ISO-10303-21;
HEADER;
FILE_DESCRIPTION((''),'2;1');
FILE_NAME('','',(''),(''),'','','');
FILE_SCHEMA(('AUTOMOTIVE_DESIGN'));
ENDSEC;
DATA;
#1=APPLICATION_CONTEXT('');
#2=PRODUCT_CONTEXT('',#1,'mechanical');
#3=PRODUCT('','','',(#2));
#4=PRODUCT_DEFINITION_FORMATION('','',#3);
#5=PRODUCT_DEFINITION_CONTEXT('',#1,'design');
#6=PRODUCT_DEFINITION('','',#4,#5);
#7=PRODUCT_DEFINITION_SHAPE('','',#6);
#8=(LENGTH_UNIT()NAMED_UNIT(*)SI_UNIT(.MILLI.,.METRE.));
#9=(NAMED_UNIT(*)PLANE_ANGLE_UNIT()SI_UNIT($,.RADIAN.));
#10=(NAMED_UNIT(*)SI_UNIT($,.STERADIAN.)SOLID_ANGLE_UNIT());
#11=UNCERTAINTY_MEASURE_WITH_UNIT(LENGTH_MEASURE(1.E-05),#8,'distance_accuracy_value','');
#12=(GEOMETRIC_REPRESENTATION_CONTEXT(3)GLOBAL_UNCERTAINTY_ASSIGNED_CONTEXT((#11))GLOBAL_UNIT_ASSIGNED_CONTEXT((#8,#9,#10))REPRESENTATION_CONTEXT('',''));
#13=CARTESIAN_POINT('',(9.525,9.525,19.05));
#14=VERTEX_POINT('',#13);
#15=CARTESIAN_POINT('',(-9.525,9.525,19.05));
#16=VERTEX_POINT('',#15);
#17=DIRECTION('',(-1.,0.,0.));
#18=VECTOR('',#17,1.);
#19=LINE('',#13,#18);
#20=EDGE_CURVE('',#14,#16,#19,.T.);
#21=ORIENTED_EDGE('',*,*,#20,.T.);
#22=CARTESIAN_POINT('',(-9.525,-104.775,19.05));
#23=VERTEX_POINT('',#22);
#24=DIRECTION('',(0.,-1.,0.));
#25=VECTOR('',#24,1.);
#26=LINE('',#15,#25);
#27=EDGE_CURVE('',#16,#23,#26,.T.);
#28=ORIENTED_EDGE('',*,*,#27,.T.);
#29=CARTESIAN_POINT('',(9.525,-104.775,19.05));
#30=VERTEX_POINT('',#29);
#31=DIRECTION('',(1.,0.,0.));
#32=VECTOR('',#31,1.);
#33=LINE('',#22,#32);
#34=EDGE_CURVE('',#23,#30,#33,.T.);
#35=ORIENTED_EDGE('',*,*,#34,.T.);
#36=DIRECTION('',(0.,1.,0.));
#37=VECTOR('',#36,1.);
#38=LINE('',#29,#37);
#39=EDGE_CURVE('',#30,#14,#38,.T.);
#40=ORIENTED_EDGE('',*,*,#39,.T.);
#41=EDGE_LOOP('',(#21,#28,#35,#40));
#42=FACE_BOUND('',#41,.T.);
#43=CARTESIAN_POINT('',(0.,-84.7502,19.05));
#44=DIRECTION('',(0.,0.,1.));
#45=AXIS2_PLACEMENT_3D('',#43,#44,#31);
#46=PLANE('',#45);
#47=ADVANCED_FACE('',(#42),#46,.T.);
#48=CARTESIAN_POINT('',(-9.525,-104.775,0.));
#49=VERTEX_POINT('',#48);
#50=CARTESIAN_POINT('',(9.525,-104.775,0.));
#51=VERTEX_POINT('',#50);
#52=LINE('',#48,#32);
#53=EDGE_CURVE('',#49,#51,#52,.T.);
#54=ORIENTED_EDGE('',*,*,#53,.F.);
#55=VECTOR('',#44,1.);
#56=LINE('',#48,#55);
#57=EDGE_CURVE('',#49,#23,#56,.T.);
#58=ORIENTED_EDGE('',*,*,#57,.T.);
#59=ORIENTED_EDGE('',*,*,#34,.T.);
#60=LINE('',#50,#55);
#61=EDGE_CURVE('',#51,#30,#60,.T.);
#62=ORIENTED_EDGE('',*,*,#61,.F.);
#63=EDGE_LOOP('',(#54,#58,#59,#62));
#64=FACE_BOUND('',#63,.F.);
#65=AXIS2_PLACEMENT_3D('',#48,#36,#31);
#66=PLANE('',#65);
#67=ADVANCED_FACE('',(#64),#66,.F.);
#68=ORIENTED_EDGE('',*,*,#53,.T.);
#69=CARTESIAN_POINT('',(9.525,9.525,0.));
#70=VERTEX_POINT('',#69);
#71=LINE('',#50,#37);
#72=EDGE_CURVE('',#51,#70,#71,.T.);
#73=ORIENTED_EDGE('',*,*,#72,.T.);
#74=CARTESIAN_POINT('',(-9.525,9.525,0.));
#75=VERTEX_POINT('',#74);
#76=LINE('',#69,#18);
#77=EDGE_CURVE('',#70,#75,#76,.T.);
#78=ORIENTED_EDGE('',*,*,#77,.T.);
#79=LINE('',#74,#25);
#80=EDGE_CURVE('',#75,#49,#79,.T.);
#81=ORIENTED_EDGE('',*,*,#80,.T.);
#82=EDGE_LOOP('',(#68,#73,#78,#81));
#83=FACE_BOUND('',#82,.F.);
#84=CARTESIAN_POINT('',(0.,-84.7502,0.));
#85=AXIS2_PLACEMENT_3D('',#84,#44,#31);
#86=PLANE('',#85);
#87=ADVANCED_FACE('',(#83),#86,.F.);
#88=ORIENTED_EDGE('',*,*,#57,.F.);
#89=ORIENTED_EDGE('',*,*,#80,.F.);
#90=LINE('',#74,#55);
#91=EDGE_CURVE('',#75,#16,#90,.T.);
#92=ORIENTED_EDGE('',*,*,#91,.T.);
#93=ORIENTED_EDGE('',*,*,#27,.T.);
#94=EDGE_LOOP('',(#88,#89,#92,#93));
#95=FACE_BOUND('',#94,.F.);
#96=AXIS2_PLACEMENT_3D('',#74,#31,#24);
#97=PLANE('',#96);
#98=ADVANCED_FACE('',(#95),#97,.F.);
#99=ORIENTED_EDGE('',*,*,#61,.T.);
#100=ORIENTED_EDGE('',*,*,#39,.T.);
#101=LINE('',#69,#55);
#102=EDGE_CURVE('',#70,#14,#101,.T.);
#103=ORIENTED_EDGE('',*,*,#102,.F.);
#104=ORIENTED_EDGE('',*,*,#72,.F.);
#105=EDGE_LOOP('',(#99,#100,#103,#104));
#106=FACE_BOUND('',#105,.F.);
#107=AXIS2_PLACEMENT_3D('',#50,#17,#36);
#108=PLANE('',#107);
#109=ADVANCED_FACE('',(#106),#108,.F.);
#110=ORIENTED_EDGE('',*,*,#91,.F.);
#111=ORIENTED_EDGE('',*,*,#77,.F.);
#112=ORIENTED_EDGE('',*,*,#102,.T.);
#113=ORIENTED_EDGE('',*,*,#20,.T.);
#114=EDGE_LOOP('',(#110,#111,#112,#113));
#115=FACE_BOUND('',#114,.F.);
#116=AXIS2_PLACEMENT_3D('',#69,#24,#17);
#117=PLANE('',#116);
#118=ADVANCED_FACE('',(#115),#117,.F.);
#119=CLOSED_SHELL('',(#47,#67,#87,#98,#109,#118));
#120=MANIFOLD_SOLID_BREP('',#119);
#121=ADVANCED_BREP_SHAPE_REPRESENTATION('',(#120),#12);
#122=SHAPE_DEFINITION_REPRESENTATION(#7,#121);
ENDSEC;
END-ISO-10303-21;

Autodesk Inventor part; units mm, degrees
ref_plane "YZ Plane" through (0, 0, 0) normal (1, 0, 0) x (0, 1, 0)
ref_plane "XZ Plane" through (0, 0, 0) normal (0, 1, 0) x (-1, 0, 0)
ref_plane "XY Plane" through (0, 0, 0) normal (0, 0, 1) x (1, 0, 0)
ref_plane "Work Plane1" through (0, -84.7502, 0) normal (0, 0, 1) x (1, 0, 0)
sketch "Sketch1" plane through (0, -84.7502, 0) normal (0, 0, 1) x (1, 0, 0)
  line L0 (9.525, 94.2752) -> (-9.525, 94.2752) projected
  line L1 (-9.525, -20.0248) -> (9.525, -20.0248) projected
  line L2 (-9.525, 94.2752) -> (-9.525, -20.0248)
  line L3 (9.525, -20.0248) -> (9.525, 94.2752)
  point P0 (0, 84.7502)
extrude "Extrusion1" add sketch "Sketch1" along normal blind 19.05
properties part number "front peice right"
